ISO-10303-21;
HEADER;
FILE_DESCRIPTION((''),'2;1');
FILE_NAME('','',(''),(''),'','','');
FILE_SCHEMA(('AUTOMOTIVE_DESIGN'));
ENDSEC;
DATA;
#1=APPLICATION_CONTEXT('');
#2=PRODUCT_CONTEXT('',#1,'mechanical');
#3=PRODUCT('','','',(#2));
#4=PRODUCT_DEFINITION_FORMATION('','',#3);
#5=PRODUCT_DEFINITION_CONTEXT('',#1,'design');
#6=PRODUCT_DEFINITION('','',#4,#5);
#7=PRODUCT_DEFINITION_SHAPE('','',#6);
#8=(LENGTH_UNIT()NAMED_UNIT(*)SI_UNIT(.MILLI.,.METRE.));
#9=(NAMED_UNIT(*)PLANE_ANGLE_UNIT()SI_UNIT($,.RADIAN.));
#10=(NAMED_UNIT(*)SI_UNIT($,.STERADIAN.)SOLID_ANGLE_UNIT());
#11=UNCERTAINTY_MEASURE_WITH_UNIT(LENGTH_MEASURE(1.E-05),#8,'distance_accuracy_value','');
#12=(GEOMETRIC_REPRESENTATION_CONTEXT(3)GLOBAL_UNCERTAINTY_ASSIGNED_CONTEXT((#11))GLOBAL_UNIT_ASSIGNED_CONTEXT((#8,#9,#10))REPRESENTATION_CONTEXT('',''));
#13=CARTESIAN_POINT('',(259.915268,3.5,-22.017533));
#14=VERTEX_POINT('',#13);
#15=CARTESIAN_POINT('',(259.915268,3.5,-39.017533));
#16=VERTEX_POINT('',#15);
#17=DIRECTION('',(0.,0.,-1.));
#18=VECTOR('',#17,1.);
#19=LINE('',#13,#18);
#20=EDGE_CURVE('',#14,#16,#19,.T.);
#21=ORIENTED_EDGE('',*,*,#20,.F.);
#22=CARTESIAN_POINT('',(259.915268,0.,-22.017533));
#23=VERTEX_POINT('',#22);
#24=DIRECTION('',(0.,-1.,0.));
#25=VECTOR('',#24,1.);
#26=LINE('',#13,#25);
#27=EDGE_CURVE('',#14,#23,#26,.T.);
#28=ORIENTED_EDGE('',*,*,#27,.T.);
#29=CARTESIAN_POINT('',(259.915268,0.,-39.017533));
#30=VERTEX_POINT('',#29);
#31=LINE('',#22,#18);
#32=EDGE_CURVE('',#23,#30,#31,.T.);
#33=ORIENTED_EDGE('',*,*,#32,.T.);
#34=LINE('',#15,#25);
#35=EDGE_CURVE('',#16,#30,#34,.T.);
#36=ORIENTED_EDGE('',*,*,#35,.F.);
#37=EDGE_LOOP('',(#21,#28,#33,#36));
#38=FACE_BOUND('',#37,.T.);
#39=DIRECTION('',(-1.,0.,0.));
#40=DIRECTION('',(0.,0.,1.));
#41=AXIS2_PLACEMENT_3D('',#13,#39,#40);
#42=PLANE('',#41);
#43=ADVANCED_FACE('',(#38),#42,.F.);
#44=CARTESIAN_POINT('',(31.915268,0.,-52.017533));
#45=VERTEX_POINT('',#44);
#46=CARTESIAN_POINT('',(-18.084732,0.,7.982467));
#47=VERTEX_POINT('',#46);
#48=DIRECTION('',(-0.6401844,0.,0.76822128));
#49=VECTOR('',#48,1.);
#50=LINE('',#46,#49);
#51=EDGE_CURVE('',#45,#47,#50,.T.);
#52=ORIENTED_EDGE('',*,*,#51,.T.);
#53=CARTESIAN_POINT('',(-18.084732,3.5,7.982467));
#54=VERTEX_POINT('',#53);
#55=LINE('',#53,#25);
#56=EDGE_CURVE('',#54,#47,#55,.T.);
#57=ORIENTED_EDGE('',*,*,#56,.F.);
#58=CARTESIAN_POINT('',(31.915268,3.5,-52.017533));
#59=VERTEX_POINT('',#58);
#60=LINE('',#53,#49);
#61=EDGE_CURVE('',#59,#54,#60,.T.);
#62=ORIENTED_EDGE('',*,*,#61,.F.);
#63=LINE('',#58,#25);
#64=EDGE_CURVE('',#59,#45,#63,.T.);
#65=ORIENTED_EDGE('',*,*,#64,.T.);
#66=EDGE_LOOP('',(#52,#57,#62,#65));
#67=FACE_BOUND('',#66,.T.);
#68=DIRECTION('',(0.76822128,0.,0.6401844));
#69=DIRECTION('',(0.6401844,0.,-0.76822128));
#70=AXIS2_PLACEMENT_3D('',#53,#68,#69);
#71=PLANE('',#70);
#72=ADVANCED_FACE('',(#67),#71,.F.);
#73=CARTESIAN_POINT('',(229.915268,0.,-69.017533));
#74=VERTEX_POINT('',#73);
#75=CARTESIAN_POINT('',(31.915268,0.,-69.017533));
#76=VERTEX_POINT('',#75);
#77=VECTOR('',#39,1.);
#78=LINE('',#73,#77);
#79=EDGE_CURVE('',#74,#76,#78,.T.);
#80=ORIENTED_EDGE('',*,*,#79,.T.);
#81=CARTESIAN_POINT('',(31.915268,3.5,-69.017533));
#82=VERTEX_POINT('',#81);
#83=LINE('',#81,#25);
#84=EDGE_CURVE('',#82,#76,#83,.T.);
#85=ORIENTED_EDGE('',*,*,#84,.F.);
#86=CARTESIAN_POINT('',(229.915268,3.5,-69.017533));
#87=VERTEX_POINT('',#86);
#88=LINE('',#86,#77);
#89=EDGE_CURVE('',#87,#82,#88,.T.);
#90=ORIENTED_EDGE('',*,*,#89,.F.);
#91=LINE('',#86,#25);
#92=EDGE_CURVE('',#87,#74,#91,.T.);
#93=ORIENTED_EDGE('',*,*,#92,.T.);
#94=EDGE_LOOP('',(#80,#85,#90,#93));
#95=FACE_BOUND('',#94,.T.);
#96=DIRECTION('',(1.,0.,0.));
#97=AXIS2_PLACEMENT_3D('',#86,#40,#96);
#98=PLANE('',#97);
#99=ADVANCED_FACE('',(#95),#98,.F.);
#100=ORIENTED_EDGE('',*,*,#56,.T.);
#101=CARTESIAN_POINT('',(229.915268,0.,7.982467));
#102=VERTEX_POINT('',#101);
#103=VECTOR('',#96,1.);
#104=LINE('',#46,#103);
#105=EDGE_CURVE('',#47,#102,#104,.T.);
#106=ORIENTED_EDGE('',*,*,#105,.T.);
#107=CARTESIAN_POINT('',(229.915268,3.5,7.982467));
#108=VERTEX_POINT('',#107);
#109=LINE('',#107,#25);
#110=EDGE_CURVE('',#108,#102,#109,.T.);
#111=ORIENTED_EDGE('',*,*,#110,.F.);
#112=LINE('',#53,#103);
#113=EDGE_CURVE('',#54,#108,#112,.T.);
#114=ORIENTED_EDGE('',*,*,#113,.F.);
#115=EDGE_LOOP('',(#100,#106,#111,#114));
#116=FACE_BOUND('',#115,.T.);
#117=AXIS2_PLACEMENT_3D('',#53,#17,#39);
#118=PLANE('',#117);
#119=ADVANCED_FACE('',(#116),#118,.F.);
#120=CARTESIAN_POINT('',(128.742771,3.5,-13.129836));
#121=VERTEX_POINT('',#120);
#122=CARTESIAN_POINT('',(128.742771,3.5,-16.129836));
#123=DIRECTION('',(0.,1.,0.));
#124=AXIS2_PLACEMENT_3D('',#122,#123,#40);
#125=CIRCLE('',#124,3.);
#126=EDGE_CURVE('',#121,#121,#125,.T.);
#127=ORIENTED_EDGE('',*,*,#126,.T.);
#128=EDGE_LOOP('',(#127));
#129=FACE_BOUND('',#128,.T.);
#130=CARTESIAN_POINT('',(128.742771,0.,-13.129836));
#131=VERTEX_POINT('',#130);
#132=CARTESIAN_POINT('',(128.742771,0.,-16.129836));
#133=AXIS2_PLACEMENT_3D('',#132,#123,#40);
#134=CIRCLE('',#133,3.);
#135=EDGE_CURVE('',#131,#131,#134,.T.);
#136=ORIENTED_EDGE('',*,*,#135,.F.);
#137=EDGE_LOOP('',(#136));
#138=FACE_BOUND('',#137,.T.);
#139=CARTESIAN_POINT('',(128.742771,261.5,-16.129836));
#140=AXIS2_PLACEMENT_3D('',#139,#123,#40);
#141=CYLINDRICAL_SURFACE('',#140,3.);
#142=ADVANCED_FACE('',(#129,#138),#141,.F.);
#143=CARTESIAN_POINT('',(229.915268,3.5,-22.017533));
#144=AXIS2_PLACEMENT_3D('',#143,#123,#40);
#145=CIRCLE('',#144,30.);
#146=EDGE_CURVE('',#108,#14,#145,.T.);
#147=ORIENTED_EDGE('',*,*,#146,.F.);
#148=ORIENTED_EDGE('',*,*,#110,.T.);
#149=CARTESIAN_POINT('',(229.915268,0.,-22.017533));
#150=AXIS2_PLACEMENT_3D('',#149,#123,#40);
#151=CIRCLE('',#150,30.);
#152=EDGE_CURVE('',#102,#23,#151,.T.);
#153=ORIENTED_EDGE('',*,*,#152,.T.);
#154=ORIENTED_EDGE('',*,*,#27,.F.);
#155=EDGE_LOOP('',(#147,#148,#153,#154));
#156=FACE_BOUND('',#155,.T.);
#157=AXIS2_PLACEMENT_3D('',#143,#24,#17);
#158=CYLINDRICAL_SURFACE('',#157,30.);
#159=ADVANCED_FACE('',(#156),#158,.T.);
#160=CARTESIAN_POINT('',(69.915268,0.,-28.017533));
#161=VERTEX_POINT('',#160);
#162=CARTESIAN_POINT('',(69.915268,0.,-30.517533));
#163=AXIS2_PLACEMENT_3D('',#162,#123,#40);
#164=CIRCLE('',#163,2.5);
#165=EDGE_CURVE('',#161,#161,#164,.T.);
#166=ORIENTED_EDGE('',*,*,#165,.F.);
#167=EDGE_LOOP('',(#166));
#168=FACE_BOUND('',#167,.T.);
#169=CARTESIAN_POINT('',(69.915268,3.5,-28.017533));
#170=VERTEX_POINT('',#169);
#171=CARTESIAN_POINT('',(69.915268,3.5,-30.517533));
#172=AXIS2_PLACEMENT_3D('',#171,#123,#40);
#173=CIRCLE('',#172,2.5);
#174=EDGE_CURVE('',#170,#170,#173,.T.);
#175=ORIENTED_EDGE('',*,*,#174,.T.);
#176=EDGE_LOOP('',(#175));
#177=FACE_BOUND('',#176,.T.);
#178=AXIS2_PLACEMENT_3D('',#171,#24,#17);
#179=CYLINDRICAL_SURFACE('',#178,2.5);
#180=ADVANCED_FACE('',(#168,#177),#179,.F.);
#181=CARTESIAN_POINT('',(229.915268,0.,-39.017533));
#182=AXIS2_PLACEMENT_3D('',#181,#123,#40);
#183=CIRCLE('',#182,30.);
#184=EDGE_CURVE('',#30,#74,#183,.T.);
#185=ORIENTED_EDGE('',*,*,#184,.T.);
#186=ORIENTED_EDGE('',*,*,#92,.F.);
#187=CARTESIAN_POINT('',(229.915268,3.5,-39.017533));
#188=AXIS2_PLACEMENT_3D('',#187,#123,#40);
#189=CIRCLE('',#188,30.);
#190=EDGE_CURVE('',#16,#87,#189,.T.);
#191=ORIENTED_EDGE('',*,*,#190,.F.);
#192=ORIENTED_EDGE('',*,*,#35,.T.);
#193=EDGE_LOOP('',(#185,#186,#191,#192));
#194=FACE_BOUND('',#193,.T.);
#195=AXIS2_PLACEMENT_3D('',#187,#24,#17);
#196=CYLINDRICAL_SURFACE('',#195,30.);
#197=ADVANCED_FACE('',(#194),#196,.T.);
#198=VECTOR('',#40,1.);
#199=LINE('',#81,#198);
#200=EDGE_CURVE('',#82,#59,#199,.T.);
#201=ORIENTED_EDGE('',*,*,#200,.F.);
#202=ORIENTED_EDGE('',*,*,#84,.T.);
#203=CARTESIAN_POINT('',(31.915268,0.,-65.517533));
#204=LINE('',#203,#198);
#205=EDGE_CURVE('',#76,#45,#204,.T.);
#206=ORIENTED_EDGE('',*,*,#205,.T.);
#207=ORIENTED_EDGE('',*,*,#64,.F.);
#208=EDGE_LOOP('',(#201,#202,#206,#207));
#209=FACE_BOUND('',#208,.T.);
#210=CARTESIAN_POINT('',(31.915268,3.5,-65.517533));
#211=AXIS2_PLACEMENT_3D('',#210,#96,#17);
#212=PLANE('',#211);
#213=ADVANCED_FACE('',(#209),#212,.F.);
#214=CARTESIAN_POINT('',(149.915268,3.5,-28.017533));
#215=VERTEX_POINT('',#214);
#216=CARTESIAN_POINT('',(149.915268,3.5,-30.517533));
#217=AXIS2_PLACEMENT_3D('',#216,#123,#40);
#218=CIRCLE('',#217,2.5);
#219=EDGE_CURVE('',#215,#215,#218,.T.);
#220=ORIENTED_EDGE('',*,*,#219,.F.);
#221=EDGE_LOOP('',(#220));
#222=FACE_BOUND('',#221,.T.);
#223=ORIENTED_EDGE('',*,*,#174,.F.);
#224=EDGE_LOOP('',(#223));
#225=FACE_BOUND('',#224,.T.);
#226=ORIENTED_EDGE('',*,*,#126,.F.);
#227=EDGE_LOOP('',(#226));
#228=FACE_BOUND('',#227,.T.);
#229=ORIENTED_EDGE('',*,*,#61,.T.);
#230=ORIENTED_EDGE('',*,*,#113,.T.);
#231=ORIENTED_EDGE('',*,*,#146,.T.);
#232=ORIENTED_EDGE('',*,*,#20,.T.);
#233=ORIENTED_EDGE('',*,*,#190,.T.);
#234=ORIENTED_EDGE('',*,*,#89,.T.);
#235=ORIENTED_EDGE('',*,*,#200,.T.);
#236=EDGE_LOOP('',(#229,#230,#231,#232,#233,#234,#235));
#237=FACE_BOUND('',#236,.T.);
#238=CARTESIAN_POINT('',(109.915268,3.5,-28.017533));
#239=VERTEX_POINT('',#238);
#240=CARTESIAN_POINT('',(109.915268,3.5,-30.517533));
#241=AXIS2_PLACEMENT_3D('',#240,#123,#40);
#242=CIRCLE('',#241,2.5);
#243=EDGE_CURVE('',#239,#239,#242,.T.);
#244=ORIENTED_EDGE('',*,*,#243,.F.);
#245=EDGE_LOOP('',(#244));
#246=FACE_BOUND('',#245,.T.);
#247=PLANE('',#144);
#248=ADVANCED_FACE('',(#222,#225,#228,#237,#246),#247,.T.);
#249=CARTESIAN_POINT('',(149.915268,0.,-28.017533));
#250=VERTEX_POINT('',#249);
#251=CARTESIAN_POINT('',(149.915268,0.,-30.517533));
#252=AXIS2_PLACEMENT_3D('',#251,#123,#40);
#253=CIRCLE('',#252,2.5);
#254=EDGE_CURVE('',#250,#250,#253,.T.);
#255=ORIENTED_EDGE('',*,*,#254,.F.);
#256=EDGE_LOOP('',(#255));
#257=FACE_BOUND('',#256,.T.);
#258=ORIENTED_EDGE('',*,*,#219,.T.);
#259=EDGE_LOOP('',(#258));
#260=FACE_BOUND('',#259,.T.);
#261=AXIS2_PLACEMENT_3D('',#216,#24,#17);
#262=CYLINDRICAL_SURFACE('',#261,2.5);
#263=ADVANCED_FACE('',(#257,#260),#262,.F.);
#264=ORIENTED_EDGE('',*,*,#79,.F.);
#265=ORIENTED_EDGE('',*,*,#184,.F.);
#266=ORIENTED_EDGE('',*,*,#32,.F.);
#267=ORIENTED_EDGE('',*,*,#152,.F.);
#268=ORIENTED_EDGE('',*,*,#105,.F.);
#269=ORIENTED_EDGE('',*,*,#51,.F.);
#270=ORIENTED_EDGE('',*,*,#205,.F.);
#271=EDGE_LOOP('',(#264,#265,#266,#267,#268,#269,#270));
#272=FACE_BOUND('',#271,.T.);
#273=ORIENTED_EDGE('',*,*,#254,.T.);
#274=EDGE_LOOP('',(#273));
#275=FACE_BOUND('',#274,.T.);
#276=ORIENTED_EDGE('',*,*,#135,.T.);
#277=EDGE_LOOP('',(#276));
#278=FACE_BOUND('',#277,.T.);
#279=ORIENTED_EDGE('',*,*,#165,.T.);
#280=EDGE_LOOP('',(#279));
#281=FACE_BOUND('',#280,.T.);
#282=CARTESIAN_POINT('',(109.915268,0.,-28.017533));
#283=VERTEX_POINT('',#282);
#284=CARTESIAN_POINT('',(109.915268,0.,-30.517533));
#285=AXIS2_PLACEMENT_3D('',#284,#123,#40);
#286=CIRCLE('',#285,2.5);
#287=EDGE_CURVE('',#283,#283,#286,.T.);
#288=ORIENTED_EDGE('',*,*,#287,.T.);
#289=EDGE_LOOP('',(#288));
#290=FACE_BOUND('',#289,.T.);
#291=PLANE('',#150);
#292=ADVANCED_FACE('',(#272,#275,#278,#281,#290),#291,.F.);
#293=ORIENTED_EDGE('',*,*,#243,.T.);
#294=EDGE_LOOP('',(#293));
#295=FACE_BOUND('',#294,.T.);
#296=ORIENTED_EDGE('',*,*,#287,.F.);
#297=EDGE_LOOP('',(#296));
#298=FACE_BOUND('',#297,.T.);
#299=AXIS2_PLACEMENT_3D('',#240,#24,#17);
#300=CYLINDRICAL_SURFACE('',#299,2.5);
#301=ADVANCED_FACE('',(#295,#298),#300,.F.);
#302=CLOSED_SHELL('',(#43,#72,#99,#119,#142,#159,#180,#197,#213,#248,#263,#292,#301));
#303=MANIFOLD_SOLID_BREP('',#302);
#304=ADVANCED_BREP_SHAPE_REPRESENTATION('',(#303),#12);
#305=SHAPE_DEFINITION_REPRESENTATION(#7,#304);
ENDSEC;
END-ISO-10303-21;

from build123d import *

# Parameters (mm, degrees)
SKETCH1_R             = 2.5
BOSS_EXTRUDE3_DEPTH   = 3.5
F_6_0MM_DOWEL_HOLE4_D = 6


with BuildPart() as part:
    # Sketch1 → Boss-Extrude3 (new body)
    with BuildSketch(Plane(origin=(0, 0, 0), x_dir=(1, 0, 0), z_dir=(0, 1, 0))):
        with BuildLine():
            Line((-18.084732229, -7.982467334), (229.915267771, -7.982467334))
            ThreePointArc((229.915267771, -7.982467334), (251.128471207, 0.80432923), (259.915267771, 22.017532666))
            Line((259.915267771, 22.017532666), (259.915267771, 39.017532666))
            ThreePointArc((259.915267771, 39.017532666), (251.128471207, 60.230736102), (229.915267771, 69.017532666))
            Line((229.915267771, 69.017532666), (31.915267771, 69.017532666))
            Line((31.915267771, 69.017532666), (31.915267771, 65.517532666))
            Line((31.915267771, 65.517532666), (31.915267771, 52.017532666))
            Line((31.915267771, 52.017532666), (-18.084732229, -7.982467334))
        make_face()
        with Locations(Location((149.915267771, 30.517532666, 0), (0, 0, 270))):
            Circle(SKETCH1_R, mode=Mode.SUBTRACT)
        with Locations(Location((109.915267771, 30.517532666, 0), (0, 0, 270))):
            Circle(SKETCH1_R, mode=Mode.SUBTRACT)
        with Locations(Location((69.915267771, 30.517532666, 0), (0, 0, 270))):
            Circle(SKETCH1_R, mode=Mode.SUBTRACT)
    extrude(amount=BOSS_EXTRUDE3_DEPTH)

    # Ø6.0mm Dowel Hole4 (through all)
    with Locations(Plane(origin=(224.539982251, 261.5, -21.544477375), x_dir=(1, 0, 0), z_dir=(0, 1, 0))):
        with Locations((-95.797211751, -5.414641336)):
            Hole(F_6_0MM_DOWEL_HOLE4_D / 2)


solid = part.part
